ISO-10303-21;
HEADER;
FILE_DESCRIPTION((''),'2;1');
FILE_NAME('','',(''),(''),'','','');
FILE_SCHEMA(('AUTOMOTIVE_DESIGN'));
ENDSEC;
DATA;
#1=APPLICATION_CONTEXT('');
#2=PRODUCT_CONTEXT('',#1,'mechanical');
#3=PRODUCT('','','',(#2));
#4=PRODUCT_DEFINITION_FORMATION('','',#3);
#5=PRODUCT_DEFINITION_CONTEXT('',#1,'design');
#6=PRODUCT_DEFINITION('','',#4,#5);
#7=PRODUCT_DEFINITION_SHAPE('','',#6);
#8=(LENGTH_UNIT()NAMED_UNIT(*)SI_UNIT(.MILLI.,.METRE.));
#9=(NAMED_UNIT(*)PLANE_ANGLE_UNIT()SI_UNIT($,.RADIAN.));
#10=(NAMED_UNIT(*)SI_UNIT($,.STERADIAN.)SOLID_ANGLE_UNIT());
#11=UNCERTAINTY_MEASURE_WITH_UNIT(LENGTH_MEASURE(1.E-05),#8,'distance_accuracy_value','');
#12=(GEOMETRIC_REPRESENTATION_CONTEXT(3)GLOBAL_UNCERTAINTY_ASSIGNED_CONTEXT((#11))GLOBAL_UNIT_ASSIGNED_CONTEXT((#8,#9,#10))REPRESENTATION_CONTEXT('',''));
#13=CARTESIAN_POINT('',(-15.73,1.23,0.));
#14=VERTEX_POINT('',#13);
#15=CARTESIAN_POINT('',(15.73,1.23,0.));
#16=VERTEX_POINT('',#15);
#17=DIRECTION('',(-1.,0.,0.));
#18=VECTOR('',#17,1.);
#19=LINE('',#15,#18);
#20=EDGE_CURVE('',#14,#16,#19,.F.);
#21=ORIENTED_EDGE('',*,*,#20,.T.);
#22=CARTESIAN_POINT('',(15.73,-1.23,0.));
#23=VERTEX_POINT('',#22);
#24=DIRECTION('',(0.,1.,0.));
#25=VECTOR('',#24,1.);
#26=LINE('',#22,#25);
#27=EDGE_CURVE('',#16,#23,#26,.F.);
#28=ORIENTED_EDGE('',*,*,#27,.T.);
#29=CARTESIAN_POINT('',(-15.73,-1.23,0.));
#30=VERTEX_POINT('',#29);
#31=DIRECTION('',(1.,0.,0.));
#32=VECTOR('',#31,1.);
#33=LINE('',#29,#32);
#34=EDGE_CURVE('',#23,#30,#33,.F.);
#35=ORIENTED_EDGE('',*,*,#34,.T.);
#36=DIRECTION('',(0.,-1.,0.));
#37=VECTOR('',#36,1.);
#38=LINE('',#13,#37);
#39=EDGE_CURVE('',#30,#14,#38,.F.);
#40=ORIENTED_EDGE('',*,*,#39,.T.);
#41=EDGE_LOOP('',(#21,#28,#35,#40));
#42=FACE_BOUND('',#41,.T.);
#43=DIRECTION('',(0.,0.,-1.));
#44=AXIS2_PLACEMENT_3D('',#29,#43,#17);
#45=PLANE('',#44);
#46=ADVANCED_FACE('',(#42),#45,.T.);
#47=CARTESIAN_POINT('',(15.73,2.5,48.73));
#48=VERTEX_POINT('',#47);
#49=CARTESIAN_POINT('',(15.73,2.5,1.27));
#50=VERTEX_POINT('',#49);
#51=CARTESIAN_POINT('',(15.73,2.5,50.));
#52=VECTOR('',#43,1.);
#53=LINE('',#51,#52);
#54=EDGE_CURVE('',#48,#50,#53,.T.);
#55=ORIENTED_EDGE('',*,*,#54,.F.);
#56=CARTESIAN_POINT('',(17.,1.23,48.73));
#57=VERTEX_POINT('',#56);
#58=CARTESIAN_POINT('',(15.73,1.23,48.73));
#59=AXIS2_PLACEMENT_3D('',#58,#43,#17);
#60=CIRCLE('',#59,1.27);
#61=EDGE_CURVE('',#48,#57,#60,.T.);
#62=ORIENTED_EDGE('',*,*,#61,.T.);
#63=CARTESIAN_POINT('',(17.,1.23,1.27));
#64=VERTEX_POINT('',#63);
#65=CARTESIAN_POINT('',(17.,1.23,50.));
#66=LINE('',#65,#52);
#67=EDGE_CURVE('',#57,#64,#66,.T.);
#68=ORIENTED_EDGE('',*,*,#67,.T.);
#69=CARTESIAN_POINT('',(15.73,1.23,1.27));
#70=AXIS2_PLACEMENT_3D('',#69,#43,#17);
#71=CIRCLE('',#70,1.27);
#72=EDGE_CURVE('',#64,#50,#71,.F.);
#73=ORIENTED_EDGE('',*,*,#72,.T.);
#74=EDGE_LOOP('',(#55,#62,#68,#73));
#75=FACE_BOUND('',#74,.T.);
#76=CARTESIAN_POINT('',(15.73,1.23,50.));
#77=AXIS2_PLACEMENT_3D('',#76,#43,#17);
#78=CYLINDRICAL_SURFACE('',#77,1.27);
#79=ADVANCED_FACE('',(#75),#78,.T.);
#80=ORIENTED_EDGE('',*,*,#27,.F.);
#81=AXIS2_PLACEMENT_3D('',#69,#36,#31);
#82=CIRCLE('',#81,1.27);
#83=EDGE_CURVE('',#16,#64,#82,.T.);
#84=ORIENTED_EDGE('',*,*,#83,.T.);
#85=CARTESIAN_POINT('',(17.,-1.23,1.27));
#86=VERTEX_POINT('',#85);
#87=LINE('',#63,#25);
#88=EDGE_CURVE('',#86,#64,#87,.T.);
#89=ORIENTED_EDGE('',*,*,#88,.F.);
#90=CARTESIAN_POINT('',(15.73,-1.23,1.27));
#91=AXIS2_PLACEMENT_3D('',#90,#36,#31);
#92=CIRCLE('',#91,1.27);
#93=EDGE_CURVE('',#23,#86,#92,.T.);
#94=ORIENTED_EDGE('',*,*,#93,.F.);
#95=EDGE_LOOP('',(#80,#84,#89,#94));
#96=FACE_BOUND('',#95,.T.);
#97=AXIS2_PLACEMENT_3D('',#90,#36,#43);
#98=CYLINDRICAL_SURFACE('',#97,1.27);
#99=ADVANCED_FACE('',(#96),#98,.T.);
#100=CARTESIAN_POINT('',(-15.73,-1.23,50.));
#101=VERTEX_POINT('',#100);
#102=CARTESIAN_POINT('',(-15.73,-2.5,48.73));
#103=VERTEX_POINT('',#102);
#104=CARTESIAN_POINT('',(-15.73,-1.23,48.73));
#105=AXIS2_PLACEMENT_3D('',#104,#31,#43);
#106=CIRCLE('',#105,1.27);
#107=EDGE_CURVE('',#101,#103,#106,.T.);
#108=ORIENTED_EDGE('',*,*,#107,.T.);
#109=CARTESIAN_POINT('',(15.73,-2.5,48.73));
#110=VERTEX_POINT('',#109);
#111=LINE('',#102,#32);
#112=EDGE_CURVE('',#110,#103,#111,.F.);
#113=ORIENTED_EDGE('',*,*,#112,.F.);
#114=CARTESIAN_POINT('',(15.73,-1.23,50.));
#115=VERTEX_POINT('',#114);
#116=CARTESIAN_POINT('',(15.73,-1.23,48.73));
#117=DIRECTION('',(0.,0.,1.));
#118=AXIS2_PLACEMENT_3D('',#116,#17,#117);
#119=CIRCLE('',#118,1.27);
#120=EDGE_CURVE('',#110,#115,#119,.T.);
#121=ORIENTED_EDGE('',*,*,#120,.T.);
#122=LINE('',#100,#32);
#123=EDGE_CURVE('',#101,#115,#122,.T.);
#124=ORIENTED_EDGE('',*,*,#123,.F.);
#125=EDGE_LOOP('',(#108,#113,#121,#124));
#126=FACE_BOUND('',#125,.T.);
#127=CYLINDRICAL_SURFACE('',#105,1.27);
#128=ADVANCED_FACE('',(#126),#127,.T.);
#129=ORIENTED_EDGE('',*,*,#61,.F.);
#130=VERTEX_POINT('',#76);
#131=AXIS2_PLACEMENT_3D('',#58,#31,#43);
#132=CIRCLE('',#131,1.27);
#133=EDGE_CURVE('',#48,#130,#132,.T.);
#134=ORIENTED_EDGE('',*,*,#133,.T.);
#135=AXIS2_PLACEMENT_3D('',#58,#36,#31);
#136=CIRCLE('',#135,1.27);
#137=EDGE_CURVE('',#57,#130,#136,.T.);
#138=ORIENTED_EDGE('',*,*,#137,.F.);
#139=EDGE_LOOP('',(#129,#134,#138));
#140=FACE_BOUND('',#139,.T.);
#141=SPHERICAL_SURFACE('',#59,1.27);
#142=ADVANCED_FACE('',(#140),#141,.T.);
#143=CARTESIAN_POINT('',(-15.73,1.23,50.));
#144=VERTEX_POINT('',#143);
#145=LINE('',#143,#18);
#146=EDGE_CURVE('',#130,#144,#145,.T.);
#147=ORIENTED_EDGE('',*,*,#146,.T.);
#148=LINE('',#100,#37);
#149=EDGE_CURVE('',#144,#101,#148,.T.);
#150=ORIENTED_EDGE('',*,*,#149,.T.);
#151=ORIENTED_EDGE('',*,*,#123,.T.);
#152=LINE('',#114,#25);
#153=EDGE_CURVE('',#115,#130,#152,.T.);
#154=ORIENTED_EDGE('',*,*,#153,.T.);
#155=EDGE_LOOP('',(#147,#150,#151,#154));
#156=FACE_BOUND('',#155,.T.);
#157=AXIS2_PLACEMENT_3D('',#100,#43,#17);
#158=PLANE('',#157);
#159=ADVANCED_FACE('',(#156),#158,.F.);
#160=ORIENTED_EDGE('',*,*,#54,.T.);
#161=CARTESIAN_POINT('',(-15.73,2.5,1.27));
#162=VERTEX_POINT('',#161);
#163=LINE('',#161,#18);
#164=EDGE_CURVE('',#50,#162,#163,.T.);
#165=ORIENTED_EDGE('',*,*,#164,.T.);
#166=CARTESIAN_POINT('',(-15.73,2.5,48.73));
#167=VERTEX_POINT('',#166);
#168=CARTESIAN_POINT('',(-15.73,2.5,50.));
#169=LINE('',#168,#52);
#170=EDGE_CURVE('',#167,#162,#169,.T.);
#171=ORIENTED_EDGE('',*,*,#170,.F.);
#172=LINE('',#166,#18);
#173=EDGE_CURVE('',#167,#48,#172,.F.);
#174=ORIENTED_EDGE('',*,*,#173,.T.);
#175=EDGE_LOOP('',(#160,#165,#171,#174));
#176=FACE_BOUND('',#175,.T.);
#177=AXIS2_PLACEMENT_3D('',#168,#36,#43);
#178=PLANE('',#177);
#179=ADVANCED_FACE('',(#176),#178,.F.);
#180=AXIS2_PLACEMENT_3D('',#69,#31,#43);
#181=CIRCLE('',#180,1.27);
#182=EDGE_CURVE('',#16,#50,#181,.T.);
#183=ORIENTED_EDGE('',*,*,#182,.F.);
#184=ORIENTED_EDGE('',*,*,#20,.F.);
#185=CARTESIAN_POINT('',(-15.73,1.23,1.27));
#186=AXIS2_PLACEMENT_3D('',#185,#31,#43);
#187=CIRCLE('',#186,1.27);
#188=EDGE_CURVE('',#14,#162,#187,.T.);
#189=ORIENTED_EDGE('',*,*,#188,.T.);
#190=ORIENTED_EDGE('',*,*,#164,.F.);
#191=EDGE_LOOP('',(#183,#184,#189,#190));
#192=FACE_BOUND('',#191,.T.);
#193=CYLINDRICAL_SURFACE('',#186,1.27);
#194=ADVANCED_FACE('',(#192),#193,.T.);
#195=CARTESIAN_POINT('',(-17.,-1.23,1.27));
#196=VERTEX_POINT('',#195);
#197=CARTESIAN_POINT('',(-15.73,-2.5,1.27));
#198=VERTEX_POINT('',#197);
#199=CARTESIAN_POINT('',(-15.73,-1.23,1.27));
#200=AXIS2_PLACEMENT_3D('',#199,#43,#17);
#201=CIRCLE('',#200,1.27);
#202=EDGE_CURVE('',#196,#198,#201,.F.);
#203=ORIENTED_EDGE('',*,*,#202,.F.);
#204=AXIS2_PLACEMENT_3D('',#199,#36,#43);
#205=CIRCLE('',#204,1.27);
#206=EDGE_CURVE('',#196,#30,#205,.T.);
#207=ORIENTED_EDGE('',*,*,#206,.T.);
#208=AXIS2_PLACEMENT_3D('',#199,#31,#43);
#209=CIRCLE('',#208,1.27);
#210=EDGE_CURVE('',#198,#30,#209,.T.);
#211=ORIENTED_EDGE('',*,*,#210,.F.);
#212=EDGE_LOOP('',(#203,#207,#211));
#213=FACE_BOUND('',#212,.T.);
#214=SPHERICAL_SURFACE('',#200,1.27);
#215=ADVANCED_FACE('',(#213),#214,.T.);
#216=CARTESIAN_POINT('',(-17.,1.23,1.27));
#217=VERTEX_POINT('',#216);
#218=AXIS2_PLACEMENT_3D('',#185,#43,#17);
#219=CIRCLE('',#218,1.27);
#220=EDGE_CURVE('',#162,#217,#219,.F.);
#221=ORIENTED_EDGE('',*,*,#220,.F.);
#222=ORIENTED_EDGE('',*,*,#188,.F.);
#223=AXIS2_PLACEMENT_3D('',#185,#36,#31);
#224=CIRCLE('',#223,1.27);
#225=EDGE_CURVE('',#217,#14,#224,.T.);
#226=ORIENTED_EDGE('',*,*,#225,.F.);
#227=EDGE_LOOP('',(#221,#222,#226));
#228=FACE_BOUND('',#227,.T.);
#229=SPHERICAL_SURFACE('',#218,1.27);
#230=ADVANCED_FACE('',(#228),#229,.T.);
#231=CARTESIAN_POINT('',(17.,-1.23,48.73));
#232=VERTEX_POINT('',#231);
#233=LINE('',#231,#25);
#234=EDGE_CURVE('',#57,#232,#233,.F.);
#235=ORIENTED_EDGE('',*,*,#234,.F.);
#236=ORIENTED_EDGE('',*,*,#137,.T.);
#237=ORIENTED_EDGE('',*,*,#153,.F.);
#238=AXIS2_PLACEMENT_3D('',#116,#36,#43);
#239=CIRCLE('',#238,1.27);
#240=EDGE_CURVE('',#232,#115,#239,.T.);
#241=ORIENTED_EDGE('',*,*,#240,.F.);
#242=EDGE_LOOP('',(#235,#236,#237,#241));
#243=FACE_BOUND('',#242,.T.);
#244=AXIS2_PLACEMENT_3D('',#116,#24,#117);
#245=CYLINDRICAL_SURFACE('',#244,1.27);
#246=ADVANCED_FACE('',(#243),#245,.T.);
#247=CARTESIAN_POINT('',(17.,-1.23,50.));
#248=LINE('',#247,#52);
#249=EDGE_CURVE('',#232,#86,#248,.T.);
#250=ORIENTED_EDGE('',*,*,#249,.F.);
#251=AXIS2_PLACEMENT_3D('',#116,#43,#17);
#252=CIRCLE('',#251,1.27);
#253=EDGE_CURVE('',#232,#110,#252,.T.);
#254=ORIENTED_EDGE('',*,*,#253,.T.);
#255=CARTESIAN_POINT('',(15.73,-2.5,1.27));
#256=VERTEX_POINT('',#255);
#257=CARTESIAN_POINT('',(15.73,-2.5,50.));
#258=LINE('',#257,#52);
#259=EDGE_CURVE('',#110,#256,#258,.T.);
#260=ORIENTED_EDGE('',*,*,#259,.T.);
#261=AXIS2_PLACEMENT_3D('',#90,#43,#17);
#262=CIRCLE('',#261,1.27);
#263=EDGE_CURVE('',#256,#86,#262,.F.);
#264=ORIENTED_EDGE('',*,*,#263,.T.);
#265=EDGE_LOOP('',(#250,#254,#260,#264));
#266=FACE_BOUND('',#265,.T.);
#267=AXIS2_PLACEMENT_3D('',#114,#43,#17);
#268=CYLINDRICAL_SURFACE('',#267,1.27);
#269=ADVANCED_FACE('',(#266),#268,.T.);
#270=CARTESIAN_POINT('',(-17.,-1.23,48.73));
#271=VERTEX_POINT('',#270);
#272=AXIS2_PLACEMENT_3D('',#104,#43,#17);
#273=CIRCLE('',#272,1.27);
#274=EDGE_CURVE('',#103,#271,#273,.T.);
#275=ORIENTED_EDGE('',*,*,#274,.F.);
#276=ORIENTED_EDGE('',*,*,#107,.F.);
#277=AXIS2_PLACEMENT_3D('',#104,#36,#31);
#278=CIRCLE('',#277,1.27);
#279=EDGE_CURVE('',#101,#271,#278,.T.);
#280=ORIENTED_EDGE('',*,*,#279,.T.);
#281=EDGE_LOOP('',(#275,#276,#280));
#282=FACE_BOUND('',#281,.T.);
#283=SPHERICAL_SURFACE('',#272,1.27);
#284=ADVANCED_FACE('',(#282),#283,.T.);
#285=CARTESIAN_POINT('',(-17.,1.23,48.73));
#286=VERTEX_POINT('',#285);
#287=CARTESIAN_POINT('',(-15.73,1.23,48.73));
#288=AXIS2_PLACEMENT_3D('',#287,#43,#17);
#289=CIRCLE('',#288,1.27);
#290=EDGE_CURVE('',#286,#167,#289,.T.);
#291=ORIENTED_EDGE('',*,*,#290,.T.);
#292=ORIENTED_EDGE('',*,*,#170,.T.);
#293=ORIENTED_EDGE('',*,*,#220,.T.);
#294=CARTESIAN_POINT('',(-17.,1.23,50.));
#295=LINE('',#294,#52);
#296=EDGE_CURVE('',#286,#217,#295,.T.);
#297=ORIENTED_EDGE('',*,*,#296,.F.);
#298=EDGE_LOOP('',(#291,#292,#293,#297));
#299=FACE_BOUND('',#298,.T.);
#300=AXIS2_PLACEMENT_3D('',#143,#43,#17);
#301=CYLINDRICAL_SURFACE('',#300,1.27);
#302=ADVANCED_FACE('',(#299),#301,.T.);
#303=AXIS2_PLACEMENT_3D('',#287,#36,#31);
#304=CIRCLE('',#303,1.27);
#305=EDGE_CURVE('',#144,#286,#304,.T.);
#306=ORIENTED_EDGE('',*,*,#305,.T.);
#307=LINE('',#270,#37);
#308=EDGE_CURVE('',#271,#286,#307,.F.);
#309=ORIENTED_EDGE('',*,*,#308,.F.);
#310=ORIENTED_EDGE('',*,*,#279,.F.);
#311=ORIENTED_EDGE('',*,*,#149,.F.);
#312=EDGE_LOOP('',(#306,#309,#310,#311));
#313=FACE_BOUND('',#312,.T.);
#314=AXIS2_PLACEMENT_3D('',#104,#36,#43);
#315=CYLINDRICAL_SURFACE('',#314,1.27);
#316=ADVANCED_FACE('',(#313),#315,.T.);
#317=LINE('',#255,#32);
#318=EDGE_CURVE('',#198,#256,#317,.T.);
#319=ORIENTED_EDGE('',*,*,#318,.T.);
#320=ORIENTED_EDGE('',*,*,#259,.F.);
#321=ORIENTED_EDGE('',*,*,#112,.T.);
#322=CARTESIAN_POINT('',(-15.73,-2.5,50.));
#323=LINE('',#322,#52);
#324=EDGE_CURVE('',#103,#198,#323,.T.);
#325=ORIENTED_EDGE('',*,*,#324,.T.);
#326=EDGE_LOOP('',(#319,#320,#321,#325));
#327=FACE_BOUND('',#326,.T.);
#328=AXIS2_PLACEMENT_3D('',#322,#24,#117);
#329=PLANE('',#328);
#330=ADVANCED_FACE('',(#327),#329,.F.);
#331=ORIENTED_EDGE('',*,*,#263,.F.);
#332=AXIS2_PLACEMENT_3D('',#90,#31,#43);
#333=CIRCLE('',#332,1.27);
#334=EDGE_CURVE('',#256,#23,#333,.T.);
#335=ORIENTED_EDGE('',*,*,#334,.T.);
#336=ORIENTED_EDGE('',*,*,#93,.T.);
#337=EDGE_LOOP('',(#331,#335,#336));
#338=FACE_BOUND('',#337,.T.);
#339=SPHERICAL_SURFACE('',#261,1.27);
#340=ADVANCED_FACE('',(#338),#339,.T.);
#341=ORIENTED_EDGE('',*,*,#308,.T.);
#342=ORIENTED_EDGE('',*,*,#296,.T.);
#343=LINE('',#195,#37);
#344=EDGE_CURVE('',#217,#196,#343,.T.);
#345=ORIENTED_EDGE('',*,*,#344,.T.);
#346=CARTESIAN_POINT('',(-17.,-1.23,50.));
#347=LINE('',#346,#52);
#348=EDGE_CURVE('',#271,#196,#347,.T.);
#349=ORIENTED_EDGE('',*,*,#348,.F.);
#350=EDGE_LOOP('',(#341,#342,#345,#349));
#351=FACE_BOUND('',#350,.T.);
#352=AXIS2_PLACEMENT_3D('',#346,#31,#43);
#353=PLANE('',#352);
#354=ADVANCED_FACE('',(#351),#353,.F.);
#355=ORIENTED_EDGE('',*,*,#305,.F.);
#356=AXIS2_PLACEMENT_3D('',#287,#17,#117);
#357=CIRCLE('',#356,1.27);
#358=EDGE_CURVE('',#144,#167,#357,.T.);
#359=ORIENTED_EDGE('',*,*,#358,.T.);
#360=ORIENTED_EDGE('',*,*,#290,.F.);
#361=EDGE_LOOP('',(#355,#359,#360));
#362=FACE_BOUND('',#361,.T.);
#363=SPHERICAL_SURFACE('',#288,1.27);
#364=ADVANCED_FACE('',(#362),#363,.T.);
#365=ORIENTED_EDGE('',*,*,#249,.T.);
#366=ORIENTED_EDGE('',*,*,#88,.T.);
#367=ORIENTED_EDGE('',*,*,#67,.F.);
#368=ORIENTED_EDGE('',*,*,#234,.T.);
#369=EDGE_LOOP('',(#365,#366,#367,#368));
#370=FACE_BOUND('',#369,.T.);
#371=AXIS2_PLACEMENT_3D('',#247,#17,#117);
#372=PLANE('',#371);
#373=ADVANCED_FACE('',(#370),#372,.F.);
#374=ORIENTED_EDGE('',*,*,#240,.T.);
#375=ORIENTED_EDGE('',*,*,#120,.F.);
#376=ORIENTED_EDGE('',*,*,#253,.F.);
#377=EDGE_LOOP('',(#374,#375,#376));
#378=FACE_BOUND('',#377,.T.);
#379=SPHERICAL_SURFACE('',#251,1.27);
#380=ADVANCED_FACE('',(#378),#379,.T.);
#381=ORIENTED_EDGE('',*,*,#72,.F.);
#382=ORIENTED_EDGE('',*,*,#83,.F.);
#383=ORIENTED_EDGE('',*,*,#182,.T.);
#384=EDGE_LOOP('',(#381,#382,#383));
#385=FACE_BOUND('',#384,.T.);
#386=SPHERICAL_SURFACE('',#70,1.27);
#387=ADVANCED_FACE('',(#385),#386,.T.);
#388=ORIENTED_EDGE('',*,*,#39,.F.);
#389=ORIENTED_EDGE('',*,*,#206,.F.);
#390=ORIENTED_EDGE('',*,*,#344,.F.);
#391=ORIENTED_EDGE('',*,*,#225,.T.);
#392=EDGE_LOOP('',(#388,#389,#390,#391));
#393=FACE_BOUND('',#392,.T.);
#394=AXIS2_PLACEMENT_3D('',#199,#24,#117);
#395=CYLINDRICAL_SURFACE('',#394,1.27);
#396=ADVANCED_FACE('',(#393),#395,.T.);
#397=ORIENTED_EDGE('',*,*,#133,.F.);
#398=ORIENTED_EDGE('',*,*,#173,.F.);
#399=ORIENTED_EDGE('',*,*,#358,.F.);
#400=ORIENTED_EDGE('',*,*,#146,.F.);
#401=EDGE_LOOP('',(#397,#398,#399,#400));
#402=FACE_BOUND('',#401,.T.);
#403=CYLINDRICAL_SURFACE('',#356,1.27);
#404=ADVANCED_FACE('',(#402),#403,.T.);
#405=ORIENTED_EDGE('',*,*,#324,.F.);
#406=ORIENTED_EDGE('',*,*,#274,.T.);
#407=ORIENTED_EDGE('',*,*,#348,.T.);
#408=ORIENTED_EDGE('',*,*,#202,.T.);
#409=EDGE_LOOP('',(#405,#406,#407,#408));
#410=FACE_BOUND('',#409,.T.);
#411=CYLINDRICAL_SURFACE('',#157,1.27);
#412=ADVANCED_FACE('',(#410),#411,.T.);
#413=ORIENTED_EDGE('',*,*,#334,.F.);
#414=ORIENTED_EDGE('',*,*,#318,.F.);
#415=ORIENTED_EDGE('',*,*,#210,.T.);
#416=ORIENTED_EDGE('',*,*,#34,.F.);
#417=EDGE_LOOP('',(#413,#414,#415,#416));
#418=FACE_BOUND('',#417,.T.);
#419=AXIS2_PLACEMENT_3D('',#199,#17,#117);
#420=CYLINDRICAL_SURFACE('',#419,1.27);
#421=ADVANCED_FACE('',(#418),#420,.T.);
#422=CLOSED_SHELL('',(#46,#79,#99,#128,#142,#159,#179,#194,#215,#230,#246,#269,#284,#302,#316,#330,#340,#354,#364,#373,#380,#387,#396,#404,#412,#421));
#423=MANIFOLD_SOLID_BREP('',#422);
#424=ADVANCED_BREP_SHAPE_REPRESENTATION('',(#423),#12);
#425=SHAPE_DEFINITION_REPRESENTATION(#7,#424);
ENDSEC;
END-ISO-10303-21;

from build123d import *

# Parameters (mm, degrees)
BOSS_EXTRUDE1_DEPTH = 50.000000076
FILLET1_R           = 1.27


with BuildPart() as part:
    # Sketch2 → Boss-Extrude1 (new body)
    with BuildSketch(Plane.XY):
        with BuildLine():
            Line((-15.73, -2.5), (15.73, -2.5))
            ThreePointArc((15.73, -2.5), (16.628025612, -2.128025612), (17, -1.23))
            Line((17, -1.23), (17, 1.23))
            ThreePointArc((17, 1.23), (16.628025612, 2.128025612), (15.73, 2.5))
            Line((15.73, 2.5), (-15.73, 2.5))
            ThreePointArc((-15.73, 2.5), (-16.628025612, 2.128025612), (-17, 1.23))
            Line((-17, 1.23), (-17, -1.23))
            ThreePointArc((-17, -1.23), (-16.628025612, -2.128025612), (-15.73, -2.5))
        make_face()
    extrude(amount=BOSS_EXTRUDE1_DEPTH)

    # Fillet1
    fillet1_edges = [part.edges().sort_by_distance(p)[0] for p in [
        (17, 0, 0),
        (16.628025612, -2.128025612, 0),
        (0, -2.5, 0),
        (-16.628025612, -2.128025612, 0),
        (16.628025612, -2.128025612, 50.000000076),
        (17, 0, 50.000000076),
        (16.628025612, 2.128025612, 50.000000076),
        (0, 2.5, 50.000000076),
        (-16.628025612, 2.128025612, 50.000000076),
        (-17, 0, 50.000000076),
        (-16.628025612, -2.128025612, 50.000000076),
        (-17, 0, 0),
        (0, -2.5, 50.000000076),
        (-16.628025612, 2.128025612, 0),
        (0, 2.5, 0),
        (16.628025612, 2.128025612, 0),
    ]]
    fillet(fillet1_edges, radius=FILLET1_R)


solid = part.part
